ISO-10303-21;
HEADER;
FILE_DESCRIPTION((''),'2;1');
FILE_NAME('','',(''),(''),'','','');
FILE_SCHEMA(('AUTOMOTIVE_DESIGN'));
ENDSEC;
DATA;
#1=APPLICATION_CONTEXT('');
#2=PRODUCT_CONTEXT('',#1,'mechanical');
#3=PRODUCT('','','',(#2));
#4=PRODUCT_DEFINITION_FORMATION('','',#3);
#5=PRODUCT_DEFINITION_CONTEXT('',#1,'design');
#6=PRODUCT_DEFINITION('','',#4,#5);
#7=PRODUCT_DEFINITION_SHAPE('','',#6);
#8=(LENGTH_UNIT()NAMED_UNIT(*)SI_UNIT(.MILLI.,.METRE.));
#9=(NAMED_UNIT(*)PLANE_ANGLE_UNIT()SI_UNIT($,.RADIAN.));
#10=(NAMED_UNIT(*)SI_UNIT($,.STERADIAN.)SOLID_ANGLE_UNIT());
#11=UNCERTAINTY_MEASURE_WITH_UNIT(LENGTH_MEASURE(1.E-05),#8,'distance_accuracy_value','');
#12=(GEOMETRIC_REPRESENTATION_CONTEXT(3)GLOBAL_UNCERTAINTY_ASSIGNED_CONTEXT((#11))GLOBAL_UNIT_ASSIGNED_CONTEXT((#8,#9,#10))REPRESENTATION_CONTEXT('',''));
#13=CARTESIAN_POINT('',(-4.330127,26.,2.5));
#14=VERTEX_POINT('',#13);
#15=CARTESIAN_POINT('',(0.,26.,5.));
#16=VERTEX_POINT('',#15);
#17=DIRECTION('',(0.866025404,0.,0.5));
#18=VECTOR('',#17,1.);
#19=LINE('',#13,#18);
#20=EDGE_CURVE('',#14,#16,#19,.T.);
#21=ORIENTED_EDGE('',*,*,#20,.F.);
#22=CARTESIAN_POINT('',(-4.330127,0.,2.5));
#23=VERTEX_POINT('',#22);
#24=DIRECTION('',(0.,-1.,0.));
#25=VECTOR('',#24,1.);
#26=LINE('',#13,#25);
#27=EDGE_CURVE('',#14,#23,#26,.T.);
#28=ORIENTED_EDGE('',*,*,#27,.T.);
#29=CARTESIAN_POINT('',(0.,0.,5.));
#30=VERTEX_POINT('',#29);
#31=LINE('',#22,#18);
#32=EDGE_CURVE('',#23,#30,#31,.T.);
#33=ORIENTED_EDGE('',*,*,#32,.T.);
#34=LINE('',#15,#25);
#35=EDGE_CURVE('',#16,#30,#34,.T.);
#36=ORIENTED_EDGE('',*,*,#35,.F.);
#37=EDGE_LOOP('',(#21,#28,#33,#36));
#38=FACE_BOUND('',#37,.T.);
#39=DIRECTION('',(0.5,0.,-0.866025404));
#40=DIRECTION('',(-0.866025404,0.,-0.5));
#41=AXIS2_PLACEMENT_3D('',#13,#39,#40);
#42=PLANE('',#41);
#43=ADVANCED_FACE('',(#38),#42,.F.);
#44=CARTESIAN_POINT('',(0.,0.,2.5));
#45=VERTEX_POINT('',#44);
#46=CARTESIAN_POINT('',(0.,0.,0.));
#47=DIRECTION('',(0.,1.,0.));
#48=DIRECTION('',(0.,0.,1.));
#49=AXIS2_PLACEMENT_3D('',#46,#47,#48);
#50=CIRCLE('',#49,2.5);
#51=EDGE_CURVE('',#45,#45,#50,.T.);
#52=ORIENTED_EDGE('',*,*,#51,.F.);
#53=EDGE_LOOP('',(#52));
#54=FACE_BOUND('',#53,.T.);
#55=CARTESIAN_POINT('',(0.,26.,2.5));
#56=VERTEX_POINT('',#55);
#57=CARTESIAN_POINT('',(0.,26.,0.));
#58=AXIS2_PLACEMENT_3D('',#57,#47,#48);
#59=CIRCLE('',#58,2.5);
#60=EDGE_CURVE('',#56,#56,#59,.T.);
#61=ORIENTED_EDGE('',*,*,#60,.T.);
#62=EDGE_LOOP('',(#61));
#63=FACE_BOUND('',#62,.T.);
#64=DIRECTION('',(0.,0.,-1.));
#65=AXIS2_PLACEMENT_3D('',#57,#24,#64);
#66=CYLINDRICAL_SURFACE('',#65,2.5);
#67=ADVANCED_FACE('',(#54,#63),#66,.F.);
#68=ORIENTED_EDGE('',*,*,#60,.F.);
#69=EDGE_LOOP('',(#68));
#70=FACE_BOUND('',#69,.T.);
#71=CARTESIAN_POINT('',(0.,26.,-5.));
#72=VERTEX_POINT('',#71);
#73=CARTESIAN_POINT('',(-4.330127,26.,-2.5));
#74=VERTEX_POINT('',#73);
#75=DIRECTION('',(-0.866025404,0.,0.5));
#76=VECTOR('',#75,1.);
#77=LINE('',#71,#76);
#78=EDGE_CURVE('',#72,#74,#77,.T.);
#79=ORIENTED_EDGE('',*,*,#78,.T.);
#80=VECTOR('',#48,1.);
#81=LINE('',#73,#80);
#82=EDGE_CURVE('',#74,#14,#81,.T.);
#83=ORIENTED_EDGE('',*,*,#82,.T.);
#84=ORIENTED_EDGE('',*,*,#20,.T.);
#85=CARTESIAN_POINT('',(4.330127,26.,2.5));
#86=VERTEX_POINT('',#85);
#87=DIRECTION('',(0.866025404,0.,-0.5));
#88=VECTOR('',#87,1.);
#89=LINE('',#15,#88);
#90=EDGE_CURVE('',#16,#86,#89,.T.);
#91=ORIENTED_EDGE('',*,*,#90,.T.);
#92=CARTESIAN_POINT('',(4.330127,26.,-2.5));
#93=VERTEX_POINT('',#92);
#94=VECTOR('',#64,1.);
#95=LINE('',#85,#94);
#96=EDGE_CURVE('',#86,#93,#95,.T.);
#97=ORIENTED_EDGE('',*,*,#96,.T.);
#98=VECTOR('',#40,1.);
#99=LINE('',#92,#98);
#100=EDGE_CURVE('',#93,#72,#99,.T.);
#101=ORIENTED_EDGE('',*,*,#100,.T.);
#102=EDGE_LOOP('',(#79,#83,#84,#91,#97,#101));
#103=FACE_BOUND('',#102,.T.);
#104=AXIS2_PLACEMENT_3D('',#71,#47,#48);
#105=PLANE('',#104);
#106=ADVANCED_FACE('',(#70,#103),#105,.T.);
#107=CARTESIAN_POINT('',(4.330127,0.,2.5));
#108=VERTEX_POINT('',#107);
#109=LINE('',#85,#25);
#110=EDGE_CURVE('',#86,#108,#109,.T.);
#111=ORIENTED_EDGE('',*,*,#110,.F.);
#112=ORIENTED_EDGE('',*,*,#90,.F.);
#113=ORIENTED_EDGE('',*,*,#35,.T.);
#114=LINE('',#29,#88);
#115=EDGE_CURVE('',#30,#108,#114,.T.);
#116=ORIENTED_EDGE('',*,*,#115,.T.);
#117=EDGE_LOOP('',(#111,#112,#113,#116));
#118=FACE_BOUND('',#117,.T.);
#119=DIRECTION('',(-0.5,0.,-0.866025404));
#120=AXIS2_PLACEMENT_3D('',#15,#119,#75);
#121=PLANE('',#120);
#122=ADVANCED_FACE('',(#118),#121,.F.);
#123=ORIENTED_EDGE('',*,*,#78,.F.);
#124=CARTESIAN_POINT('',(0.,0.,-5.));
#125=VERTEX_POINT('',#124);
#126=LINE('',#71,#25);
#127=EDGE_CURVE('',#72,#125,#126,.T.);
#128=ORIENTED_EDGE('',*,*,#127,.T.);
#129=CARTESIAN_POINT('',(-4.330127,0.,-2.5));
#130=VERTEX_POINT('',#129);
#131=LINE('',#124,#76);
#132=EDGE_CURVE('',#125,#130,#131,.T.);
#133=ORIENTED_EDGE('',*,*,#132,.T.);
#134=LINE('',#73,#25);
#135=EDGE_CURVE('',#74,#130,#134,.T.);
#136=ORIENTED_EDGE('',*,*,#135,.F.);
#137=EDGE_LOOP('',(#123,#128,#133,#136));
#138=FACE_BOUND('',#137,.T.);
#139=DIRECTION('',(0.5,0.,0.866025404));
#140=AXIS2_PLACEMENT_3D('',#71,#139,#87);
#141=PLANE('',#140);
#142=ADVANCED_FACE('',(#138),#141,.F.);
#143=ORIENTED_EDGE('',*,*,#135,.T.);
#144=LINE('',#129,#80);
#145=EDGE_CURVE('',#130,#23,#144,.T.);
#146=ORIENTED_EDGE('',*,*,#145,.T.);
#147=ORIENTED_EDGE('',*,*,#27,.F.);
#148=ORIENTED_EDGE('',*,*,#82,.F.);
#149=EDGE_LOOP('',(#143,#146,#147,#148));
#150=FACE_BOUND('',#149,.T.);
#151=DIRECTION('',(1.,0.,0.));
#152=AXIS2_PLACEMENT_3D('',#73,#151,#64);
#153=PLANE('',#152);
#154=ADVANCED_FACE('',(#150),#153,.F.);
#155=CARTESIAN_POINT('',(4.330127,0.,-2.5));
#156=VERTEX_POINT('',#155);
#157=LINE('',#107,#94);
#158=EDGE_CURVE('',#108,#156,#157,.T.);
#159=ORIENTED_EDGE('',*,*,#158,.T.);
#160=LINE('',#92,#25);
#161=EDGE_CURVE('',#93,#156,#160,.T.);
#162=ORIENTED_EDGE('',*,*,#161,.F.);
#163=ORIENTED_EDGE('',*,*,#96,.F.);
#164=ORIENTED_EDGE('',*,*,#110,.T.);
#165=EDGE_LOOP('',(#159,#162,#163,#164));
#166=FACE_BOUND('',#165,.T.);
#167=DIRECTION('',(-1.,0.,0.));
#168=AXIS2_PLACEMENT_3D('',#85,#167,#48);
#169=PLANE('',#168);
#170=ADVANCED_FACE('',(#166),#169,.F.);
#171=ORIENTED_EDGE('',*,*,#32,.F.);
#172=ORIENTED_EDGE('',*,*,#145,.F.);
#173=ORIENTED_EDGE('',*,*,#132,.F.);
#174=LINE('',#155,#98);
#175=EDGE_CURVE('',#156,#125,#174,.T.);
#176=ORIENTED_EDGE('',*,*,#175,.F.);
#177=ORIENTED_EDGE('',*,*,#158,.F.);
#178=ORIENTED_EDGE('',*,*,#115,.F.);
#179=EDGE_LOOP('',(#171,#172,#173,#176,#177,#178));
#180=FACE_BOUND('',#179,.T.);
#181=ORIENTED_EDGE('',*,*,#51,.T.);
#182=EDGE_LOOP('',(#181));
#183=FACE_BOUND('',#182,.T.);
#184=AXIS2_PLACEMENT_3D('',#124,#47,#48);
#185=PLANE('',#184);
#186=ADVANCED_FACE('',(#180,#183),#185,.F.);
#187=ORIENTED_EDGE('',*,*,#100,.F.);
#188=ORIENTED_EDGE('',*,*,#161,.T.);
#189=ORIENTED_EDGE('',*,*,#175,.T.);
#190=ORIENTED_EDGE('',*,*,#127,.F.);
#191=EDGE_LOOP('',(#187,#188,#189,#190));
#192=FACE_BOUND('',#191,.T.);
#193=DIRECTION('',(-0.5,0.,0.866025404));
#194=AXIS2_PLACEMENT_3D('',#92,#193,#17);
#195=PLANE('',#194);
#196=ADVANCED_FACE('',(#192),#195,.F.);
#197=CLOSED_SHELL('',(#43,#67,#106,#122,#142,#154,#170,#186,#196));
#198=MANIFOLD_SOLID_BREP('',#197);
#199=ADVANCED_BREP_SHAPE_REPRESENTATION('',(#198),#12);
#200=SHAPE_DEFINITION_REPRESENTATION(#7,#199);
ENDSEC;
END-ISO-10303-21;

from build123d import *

# Parameters (mm, degrees)
ESQUISSE1_R      = 2.5
EXTRUSION1_DEPTH = 26


with BuildPart() as part:
    # Esquisse1 → Extrusion1 (new body)
    with BuildSketch(Plane(origin=(0, 0, 0), x_dir=(1, 0, 0), z_dir=(0, 1, 0))):
        Polygon((0, 5), (-4.330127019, 2.5), (-4.330127019, -2.5), (0, -5), (4.330127019, -2.5), (4.330127019, 2.5), align=None)
        Circle(ESQUISSE1_R, mode=Mode.SUBTRACT)
    extrude(amount=EXTRUSION1_DEPTH)


solid = part.part
